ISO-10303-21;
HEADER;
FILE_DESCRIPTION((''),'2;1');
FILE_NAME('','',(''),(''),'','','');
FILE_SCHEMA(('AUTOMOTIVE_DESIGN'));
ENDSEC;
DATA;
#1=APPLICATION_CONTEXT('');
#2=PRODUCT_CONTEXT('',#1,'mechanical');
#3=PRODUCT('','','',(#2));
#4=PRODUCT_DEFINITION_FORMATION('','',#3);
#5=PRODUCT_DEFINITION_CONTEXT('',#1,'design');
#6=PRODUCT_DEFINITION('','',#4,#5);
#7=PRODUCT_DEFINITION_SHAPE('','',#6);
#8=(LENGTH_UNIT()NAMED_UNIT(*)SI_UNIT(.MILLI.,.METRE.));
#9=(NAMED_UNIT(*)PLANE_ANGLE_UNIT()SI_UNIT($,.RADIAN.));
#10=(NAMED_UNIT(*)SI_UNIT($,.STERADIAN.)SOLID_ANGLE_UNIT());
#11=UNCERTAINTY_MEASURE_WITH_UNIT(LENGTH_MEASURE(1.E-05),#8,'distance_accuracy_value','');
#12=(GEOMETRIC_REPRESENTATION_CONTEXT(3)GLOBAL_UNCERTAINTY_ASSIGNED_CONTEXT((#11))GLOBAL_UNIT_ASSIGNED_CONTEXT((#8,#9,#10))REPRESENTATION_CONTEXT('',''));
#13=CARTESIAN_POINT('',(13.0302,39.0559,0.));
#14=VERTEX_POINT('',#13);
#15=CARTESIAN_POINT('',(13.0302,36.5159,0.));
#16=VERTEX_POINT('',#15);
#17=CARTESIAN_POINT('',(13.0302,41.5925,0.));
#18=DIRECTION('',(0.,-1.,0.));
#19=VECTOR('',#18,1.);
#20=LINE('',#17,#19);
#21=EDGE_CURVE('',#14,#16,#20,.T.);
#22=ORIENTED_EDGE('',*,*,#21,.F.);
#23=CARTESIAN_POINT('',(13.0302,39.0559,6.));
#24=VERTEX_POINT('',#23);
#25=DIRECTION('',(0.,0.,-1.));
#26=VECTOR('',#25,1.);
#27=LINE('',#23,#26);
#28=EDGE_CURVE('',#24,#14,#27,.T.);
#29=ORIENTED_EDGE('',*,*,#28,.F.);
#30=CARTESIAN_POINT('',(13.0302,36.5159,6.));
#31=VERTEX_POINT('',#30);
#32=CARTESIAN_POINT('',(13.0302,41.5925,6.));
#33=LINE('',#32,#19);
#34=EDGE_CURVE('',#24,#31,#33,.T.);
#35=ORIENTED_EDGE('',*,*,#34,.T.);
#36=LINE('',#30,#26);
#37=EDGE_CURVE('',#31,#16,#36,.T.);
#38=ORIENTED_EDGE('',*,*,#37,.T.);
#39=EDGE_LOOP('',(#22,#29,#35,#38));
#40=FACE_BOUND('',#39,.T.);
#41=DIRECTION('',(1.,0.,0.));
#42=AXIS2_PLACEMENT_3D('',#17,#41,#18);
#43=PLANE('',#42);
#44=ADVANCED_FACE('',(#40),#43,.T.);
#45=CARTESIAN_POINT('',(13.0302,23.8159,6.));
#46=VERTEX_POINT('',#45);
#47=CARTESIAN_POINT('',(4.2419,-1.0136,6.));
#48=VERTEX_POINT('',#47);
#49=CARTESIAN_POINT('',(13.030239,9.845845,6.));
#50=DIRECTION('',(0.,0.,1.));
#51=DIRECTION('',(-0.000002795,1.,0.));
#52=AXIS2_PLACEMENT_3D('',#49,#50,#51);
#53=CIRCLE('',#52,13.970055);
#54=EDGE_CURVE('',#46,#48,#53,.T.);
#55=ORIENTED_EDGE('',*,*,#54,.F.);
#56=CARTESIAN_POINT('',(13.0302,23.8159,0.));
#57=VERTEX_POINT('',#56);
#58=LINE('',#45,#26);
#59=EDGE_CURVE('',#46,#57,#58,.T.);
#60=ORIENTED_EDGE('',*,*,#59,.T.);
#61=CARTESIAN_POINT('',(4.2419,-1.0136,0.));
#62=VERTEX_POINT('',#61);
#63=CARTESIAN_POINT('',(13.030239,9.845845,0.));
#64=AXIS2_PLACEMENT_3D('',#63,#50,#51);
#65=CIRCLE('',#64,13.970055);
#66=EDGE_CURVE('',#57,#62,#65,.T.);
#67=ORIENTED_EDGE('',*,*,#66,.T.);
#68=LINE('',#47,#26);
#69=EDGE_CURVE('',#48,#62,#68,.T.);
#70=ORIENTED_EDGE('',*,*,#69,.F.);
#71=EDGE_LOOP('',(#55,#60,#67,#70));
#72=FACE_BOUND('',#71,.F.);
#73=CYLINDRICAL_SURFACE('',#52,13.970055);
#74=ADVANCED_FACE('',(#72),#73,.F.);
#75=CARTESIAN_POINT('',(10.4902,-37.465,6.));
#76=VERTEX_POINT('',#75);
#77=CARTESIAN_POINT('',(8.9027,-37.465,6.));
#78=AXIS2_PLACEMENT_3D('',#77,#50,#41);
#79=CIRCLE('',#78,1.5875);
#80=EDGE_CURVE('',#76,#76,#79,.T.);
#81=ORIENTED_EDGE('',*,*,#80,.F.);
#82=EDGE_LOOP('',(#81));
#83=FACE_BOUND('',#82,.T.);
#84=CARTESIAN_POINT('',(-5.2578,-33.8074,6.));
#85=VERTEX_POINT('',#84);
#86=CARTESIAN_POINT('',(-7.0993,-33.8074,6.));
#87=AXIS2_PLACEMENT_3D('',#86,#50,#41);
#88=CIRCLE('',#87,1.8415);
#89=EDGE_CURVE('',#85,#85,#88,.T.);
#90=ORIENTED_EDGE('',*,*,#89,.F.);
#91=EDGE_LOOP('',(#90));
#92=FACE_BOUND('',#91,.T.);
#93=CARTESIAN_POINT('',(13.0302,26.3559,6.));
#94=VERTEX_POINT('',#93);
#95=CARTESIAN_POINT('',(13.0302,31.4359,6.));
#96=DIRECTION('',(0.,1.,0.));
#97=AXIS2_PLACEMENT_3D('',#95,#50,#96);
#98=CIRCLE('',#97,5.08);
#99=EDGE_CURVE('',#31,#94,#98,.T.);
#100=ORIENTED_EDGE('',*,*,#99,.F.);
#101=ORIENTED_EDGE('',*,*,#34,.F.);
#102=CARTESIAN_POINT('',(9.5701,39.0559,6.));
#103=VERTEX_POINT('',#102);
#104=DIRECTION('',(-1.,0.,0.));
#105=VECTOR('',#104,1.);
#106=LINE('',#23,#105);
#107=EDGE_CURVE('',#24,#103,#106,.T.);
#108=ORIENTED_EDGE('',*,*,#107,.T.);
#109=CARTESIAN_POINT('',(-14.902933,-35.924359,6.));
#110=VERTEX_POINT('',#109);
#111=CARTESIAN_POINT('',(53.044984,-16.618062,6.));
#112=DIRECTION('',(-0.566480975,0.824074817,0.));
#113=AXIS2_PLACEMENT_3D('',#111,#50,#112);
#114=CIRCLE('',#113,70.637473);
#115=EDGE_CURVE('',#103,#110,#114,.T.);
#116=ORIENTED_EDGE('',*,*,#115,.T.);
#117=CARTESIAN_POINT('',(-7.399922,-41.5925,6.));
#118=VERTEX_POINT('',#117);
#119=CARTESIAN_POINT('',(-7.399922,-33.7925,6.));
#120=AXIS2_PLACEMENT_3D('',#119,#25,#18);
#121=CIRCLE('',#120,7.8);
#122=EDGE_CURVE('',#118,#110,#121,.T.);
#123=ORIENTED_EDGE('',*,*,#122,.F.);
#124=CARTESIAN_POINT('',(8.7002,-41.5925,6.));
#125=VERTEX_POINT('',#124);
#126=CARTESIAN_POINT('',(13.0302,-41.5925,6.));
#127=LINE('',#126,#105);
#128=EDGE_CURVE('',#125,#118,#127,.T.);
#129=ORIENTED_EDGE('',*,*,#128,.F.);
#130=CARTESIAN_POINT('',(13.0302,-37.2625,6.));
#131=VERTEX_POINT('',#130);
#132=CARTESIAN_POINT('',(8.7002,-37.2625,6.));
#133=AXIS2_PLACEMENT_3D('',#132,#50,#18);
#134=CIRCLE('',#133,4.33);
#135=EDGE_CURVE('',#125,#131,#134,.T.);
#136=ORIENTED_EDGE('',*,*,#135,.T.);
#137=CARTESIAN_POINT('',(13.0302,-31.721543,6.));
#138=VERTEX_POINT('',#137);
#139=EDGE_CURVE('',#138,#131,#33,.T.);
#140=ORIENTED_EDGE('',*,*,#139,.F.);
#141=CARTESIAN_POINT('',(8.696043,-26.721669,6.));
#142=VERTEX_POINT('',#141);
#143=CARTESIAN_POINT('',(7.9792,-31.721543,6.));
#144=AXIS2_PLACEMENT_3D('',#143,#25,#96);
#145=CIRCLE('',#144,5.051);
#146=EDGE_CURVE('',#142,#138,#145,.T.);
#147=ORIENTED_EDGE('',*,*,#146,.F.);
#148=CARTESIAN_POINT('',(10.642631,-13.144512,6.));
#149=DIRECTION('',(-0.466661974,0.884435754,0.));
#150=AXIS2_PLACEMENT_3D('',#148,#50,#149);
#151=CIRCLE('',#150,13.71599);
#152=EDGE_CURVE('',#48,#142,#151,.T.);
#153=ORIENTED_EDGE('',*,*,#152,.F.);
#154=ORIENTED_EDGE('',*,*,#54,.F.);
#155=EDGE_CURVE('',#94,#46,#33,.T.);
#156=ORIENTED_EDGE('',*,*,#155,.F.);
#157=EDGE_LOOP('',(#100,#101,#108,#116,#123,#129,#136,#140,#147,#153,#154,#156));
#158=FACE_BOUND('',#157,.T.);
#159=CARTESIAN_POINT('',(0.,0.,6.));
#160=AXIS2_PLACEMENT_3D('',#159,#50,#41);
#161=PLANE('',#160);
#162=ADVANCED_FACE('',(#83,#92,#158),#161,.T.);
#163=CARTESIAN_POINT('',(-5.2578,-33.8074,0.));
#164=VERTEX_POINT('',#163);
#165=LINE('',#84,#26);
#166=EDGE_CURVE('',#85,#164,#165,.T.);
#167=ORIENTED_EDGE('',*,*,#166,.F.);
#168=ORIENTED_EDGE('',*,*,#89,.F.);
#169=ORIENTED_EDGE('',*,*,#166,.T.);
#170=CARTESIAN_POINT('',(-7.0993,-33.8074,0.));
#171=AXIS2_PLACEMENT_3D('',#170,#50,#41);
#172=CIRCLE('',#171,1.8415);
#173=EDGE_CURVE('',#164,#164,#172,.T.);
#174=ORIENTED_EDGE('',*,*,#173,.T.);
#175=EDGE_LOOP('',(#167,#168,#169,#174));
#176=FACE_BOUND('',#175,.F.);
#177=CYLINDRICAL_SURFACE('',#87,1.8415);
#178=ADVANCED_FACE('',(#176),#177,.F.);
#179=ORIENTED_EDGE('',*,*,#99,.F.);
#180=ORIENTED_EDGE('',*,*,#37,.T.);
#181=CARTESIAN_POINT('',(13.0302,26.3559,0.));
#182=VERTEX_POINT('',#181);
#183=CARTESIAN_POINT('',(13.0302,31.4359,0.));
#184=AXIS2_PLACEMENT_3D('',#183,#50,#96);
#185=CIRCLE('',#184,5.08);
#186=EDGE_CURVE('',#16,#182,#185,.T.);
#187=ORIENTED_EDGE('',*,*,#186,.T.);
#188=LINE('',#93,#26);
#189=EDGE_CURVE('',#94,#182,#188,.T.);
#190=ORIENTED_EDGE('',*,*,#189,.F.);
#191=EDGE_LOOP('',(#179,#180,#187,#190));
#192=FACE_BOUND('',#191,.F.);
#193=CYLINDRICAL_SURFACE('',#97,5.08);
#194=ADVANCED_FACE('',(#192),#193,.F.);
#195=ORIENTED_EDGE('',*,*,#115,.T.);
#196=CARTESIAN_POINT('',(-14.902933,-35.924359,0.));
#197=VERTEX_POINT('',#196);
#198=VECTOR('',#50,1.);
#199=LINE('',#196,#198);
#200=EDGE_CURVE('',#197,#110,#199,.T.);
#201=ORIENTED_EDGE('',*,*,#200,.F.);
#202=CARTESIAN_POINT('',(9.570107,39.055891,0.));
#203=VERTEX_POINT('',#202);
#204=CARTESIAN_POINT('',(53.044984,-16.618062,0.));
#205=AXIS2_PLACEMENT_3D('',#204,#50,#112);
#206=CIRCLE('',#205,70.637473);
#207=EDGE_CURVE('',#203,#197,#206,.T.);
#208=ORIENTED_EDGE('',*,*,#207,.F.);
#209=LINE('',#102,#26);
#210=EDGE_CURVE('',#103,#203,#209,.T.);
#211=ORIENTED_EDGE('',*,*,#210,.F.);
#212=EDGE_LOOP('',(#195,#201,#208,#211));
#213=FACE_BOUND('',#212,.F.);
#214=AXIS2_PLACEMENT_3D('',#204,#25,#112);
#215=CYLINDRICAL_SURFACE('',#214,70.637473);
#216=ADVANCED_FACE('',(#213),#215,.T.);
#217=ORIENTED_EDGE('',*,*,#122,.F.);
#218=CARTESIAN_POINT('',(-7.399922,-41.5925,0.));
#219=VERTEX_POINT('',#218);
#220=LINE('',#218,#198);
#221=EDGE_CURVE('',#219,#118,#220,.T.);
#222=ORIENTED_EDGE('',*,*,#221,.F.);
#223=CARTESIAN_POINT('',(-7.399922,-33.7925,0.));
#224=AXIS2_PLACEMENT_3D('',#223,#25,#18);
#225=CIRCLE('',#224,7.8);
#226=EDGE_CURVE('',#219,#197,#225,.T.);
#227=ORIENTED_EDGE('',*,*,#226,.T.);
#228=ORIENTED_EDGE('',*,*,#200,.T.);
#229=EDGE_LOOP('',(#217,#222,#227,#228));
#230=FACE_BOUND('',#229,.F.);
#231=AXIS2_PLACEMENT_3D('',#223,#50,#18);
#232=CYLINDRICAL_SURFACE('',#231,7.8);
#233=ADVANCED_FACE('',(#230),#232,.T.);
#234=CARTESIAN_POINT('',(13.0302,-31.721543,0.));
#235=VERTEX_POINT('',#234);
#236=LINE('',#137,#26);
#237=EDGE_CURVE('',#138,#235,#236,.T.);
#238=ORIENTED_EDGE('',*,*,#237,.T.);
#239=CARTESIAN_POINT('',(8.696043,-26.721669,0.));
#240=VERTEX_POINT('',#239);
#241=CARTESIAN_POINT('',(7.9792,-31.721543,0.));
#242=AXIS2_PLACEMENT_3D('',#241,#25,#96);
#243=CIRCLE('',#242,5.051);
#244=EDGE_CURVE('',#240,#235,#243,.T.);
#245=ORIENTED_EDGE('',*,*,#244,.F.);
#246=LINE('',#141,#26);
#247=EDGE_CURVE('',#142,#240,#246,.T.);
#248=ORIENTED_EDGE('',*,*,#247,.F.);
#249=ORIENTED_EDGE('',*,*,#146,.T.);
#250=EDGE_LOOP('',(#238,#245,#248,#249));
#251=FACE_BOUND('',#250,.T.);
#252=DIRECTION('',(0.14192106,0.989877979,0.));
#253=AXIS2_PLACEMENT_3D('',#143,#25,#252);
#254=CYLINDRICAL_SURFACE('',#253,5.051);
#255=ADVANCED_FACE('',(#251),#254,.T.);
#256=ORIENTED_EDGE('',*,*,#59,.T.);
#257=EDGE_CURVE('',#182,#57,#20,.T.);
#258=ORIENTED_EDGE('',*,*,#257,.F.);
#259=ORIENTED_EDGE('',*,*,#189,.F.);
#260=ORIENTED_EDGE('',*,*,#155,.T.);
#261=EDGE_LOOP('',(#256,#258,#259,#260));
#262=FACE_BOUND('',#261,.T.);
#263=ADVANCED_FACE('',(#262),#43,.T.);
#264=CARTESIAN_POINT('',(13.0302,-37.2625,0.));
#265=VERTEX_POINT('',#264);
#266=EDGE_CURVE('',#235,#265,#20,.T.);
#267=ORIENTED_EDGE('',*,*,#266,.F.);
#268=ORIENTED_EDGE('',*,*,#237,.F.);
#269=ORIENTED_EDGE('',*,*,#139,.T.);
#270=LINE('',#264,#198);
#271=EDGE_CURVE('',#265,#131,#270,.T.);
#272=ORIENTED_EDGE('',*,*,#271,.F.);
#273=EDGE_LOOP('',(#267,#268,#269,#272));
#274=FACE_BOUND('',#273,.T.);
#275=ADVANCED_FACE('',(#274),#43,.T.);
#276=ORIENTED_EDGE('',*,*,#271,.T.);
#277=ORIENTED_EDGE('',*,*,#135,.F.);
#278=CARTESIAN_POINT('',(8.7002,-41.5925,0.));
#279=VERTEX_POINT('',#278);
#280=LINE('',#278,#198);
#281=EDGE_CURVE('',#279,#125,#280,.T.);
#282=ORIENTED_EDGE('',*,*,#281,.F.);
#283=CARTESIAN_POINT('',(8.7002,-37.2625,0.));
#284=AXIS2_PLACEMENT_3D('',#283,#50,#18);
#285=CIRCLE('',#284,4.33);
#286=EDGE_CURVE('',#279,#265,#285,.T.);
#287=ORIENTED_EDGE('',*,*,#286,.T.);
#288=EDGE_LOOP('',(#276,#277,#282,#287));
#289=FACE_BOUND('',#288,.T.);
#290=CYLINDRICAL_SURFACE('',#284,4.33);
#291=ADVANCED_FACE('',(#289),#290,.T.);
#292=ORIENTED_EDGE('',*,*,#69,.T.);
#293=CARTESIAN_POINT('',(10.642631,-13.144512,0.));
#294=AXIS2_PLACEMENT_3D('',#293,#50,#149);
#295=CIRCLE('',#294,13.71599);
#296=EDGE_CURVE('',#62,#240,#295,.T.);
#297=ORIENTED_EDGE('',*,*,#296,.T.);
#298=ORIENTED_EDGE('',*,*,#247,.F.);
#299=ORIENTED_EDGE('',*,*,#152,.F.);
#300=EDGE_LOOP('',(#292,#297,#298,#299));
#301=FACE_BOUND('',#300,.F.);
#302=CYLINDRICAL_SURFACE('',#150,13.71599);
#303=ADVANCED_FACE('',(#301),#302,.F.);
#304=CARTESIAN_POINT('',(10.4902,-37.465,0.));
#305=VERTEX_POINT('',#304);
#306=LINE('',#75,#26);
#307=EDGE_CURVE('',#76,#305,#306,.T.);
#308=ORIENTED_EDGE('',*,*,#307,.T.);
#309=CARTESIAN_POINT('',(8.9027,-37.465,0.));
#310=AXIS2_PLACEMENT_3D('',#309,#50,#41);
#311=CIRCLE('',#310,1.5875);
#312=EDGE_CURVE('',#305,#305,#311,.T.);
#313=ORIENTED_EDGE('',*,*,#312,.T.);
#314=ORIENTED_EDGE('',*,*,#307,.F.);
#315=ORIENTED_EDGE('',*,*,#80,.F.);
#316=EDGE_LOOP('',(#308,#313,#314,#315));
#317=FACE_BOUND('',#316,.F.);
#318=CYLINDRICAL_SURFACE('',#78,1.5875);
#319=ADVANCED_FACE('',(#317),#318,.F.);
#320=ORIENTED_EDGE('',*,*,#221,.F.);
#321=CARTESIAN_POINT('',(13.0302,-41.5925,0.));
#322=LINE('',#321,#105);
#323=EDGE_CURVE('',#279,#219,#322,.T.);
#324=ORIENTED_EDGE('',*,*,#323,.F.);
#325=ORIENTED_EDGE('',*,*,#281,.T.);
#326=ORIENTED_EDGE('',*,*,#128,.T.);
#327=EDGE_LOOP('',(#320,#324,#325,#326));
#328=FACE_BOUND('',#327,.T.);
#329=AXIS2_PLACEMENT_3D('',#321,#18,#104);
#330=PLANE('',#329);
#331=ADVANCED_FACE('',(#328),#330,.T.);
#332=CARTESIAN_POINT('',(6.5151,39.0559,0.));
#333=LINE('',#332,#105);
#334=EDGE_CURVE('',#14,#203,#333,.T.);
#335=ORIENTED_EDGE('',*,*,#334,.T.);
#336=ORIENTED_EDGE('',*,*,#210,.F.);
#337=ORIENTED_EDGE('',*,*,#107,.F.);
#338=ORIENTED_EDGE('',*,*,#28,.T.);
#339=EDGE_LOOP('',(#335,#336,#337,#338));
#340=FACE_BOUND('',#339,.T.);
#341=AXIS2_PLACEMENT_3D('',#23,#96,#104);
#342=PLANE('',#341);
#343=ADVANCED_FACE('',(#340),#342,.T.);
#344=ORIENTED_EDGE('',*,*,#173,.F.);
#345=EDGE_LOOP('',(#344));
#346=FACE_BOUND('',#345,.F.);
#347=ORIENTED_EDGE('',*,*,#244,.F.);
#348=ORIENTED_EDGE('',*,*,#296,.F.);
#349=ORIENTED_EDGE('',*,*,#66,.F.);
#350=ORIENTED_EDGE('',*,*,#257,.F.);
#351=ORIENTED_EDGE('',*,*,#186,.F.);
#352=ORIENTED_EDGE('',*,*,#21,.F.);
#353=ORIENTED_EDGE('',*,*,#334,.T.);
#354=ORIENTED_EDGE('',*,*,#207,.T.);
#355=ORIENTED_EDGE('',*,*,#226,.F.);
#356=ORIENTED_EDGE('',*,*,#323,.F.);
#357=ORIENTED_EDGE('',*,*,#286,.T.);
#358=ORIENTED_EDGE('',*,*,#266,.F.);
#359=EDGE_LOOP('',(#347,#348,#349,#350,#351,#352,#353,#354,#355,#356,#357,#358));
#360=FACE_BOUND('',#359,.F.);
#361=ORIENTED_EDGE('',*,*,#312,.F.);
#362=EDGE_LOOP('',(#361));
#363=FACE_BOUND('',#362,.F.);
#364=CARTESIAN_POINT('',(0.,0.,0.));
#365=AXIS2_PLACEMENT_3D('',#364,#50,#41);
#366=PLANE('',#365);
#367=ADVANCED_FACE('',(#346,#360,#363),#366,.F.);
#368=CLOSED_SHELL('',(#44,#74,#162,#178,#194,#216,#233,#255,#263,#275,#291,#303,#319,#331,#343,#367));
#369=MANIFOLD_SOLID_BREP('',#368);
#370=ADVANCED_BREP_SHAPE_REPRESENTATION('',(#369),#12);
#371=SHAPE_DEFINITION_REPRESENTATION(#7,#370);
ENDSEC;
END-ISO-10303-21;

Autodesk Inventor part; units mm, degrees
ref_plane "YZ Plane" through (0, 0, 0) normal (1, 0, 0) x (0, 1, 0)
ref_plane "XZ Plane" through (0, 0, 0) normal (0, 1, 0) x (-1, 0, 0)
ref_plane "XY Plane" through (0, 0, 0) normal (0, 0, 1) x (1, 0, 0)
sketch "Sketch2" plane through (0, 0, 0) normal (0, 0, 1) x (1, 0, 0)
  line L0 (13.0302, 41.5925) -> (13.0302, -41.5925)
  line L1 (13.0302, -41.5925) -> (-13.0302, -41.5925)
  arc A0 (13.0302, 41.5925) -> (-13.0302, -41.5925) centre (53.0449, -16.618) ccw
  point P0 (0, 0)
  point P1 (13.0302, 0)
  point P2 (0, -41.5925)
  dimension "d6" = 26.0604
  dimension "d32" = 70.6374
  dimension "d33" = 83.185
extrude "Extrusion1" add sketch "Sketch2" along normal blind 6
fillet "Fillet2" radius 7.8 1 edges at (-13.0302, -41.5925, 3)
fillet "Fillet3" radius 4.33 1 edges at (13.0302, -41.5925, 3)
sketch "Sketch6" plane through (0, 0, 6) normal (0, 0, 1) x (1, 0, 0)
  line L0 (13.0302, -37.2625) -> (13.0302, 41.5925) projected
  arc A0 (8.7002, -41.5925) -> (13.0302, -37.2625) centre (8.7002, -37.2625) ccw projected
  line L1 (13.0302, -37.2625) -> (13.0302, 41.5925) projected
  arc A1 (13.0302, 41.5925) -> (-14.9029, -35.9244) centre (53.0449, -16.618) ccw projected
  arc A2 (-14.9029, -35.9244) -> (-7.3999, -41.5925) centre (-7.3999, -33.7925) ccw projected
  line L2 (-7.3999, -41.5925) -> (8.7002, -41.5925) projected
  arc A3 (4.2419, -1.0136) -> (13.0302, -26.6511) centre (10.6426, -13.1445) ccw
  line L3 (13.0302, 0.3621) -> (13.0302, -26.6511)
  arc A4 (13.0302, 23.8159) -> (4.2419, -1.0136) centre (13.0302, 9.8459) ccw
  line L4 (13.0302, 0.3621) -> (13.0302, -4.1241)
  line L5 (13.0302, 0.3621) -> (13.0302, 23.8159)
  point P0 (0, 0)
  dimension "d37" = 2.3876
  dimension "d38" = 13.716
  dimension "d39" = 14.732
  dimension "d41" = 50.8
  dimension "d42" = 13.97
extrude "Extrusion4" cut sketch "Sketch6" against normal through all contours A3 A4 L0
sketch "Sketch7" plane through (0, 0, 6) normal (0, 0, 1) x (1, 0, 0)
  arc A0 (13.0302, 23.8159) -> (4.2419, -1.0136) centre (13.0302, 9.8459) ccw projected
  line L0 (13.0302, 23.8159) -> (13.0302, 41.5925) projected
  arc A1 (13.0302, 41.5925) -> (-14.9029, -35.9244) centre (53.0449, -16.618) ccw projected
  arc A2 (-14.9029, -35.9244) -> (-7.3999, -41.5925) centre (-7.3999, -33.7925) ccw projected
  line L1 (-7.3999, -41.5925) -> (8.7002, -41.5925) projected
  arc A3 (8.7002, -41.5925) -> (13.0302, -37.2625) centre (8.7002, -37.2625) ccw projected
  line L2 (13.0302, -37.2625) -> (13.0302, -26.6511) projected
  arc A4 (4.2419, -1.0136) -> (13.0302, -26.6511) centre (10.6426, -13.1445) ccw projected
  line L3 (13.0302, 23.8159) -> (13.0302, 41.5925) projected
  line L4 (13.0302, 23.8159) -> (17.2669, 23.8159) construction
  arc A5 (13.0302, 36.5159) -> (13.0302, 26.3559) centre (13.0302, 31.4359) ccw
  line L5 (13.0302, 36.5159) -> (13.0302, 26.3559)
  point P0 (0, 0)
  dimension "d46" = 10.16
  dimension "d47" = 2.54
extrude "Extrusion5" cut sketch "Sketch7" against normal through all contours A5 L0
sketch "Sketch8" plane through (0, 0, 6) normal (0, 0, 1) x (1, 0, 0)
  arc A0 (13.0302, 36.5159) -> (13.0302, 26.3559) centre (13.0302, 31.4359) ccw projected
  line L0 (13.0302, 36.5159) -> (13.0302, 41.5925) projected
  arc A1 (13.0302, 41.5925) -> (-14.9029, -35.9244) centre (53.0449, -16.618) ccw projected
  arc A2 (-14.9029, -35.9244) -> (-7.3999, -41.5925) centre (-7.3999, -33.7925) ccw projected
  line L1 (-7.3999, -41.5925) -> (8.7002, -41.5925) projected
  arc A3 (8.7002, -41.5925) -> (13.0302, -37.2625) centre (8.7002, -37.2625) ccw projected
  line L2 (13.0302, -37.2625) -> (13.0302, -26.6511) projected
  arc A4 (4.2419, -1.0136) -> (13.0302, -26.6511) centre (10.6426, -13.1445) ccw projected
  arc A5 (13.0302, 23.8159) -> (4.2419, -1.0136) centre (13.0302, 9.8459) ccw projected
  line L3 (13.0302, 23.8159) -> (13.0302, 26.3559) projected
  line L4 (13.0302, 39.0559) -> (9.5701, 39.0559)
  arc A6 (13.0302, 41.5925) -> (-14.9029, -35.9244) centre (53.0449, -16.618) ccw projected
  line L5 (13.0302, 36.5159) -> (13.0302, 41.5925) projected
  point P0 (0, 0)
  dimension "d50" = 2.54
extrude "Extrusion6" cut sketch "Sketch8" against normal through all contours L4 A1 L0
fillet "Fillet4" radius 5.051 1 edges at (13.0302, -26.6511, 3)
sketch "Sketch9" plane through (0, 0, 6) normal (0, 0, 1) x (1, 0, 0)
  arc A0 (13.0302, -31.7215) -> (8.696, -26.7217) centre (7.9792, -31.7215) ccw projected
  arc A1 (4.2419, -1.0136) -> (8.696, -26.7217) centre (10.6426, -13.1445) ccw projected
  arc A2 (13.0302, 23.8159) -> (4.2419, -1.0136) centre (13.0302, 9.8459) ccw projected
  line L0 (13.0302, 23.8159) -> (13.0302, 26.3559) projected
  arc A3 (13.0302, 36.5159) -> (13.0302, 26.3559) centre (13.0302, 31.4359) ccw projected
  arc A4 (9.5701, 39.0559) -> (-14.9029, -35.9244) centre (53.0449, -16.618) ccw projected
  arc A5 (-14.9029, -35.9244) -> (-7.3999, -41.5925) centre (-7.3999, -33.7925) ccw projected
  line L1 (-7.3999, -41.5925) -> (8.7002, -41.5925) projected
  arc A6 (8.7002, -41.5925) -> (13.0302, -37.2625) centre (8.7002, -37.2625) ccw projected
  line L2 (13.0302, -37.2625) -> (13.0302, -31.7215) projected
  circle A7 centre (8.9027, -37.465) radius 1.5875
  circle A8 centre (-7.0993, -33.8074) radius 1.8415
  line L3 (13.0302, 36.5159) -> (13.0302, 39.0559) projected
  line L4 (13.0302, 39.0559) -> (9.5701, 39.0559) projected
  point P0 (0, 0)
  dimension "d54" = 2.54
  dimension "d55" = 2.54
  dimension "d56" = 3.175
  dimension "d57" = 5.9436
  dimension "d58" = 16.002
  dimension "d59" = 3.683
extrude "Extrusion7" cut sketch "Sketch9" against normal through all contours A7 | A8
properties part number "GripperFingersExtended"
